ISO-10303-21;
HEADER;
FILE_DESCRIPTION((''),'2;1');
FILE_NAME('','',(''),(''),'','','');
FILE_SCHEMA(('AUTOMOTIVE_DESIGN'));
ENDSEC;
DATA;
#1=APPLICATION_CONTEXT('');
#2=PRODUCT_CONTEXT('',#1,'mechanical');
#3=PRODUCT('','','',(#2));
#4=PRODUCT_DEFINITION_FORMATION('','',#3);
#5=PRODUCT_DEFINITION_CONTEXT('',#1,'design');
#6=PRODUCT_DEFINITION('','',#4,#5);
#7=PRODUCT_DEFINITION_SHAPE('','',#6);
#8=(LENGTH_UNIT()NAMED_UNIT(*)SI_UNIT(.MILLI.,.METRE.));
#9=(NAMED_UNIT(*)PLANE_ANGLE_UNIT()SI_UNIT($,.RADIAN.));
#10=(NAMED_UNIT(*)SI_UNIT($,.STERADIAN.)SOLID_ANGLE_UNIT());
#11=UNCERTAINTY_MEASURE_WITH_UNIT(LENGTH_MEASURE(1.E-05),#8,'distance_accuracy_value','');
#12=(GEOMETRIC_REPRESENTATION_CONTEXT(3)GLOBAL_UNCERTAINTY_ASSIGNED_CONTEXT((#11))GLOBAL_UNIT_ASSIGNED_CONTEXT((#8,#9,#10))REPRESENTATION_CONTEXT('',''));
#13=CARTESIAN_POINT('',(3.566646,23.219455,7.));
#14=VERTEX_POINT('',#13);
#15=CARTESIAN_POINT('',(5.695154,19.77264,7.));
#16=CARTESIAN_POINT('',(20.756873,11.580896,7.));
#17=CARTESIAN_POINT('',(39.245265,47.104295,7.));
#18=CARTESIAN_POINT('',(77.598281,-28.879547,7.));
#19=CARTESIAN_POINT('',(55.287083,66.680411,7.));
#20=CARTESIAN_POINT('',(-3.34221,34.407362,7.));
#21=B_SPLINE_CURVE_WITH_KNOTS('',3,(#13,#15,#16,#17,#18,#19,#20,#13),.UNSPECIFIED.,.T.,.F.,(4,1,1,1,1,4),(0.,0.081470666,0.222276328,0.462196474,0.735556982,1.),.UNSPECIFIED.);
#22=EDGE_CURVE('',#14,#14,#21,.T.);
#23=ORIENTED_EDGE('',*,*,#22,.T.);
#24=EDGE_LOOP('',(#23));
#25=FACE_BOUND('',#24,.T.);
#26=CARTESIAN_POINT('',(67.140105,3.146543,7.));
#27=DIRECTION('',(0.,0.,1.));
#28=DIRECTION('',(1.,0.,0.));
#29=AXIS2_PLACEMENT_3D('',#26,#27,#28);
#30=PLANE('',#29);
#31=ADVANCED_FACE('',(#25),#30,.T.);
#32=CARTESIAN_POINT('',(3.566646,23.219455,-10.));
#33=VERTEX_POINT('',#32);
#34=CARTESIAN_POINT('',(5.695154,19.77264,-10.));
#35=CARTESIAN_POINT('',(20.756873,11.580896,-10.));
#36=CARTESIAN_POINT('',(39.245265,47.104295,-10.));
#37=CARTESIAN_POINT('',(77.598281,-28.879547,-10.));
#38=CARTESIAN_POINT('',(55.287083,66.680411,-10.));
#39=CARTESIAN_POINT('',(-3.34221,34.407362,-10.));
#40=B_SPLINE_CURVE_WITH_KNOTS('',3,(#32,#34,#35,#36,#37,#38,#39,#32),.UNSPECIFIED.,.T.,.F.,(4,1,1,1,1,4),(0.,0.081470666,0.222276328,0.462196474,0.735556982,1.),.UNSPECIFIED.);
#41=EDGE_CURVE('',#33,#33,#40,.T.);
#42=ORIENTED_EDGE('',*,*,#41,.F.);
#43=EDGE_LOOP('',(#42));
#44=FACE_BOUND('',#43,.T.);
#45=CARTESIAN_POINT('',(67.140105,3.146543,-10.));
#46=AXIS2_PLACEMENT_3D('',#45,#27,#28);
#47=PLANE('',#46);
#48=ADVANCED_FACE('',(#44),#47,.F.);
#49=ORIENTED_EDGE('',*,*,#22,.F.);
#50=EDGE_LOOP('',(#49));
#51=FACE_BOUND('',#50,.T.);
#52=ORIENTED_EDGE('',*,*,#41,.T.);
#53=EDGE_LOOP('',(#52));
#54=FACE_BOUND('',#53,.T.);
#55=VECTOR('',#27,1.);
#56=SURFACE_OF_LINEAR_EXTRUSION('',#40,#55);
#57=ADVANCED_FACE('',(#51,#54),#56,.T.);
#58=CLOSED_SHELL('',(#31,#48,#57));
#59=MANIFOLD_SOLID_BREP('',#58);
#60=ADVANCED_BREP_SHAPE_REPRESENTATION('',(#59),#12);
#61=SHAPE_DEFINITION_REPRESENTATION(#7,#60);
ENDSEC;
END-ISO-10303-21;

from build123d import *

# Parameters (mm, degrees)
BOSS_EXTRUDE1_DEPTH      = 7
BOSS_EXTRUDE1_DEPTH_BACK = 10


with BuildPart() as part:
    # Sketch1 → Boss-Extrude1 (new body, two sides)
    with BuildSketch(Plane.XY) as boss_extrude1_sk:
        with BuildLine():
            add(Edge.make_bspline(
                [(3.566645753, 23.219455359), (-3.342210286, 34.40736237), (55.287083173, 66.680411296), (77.598281444, -28.879547073), (39.24526533, 47.104295428), (20.756872815, 11.580896394), (5.695153837, 19.772640086), (3.566645753, 23.219455359)],
                knots=[0, 0, 0, 0, 0.264443018, 0.537803526, 0.777723672, 0.918529334, 1, 1, 1, 1], degree=3))
        make_face()
    extrude(amount=BOSS_EXTRUDE1_DEPTH)
    extrude(boss_extrude1_sk.sketch, amount=-BOSS_EXTRUDE1_DEPTH_BACK)


solid = part.part
